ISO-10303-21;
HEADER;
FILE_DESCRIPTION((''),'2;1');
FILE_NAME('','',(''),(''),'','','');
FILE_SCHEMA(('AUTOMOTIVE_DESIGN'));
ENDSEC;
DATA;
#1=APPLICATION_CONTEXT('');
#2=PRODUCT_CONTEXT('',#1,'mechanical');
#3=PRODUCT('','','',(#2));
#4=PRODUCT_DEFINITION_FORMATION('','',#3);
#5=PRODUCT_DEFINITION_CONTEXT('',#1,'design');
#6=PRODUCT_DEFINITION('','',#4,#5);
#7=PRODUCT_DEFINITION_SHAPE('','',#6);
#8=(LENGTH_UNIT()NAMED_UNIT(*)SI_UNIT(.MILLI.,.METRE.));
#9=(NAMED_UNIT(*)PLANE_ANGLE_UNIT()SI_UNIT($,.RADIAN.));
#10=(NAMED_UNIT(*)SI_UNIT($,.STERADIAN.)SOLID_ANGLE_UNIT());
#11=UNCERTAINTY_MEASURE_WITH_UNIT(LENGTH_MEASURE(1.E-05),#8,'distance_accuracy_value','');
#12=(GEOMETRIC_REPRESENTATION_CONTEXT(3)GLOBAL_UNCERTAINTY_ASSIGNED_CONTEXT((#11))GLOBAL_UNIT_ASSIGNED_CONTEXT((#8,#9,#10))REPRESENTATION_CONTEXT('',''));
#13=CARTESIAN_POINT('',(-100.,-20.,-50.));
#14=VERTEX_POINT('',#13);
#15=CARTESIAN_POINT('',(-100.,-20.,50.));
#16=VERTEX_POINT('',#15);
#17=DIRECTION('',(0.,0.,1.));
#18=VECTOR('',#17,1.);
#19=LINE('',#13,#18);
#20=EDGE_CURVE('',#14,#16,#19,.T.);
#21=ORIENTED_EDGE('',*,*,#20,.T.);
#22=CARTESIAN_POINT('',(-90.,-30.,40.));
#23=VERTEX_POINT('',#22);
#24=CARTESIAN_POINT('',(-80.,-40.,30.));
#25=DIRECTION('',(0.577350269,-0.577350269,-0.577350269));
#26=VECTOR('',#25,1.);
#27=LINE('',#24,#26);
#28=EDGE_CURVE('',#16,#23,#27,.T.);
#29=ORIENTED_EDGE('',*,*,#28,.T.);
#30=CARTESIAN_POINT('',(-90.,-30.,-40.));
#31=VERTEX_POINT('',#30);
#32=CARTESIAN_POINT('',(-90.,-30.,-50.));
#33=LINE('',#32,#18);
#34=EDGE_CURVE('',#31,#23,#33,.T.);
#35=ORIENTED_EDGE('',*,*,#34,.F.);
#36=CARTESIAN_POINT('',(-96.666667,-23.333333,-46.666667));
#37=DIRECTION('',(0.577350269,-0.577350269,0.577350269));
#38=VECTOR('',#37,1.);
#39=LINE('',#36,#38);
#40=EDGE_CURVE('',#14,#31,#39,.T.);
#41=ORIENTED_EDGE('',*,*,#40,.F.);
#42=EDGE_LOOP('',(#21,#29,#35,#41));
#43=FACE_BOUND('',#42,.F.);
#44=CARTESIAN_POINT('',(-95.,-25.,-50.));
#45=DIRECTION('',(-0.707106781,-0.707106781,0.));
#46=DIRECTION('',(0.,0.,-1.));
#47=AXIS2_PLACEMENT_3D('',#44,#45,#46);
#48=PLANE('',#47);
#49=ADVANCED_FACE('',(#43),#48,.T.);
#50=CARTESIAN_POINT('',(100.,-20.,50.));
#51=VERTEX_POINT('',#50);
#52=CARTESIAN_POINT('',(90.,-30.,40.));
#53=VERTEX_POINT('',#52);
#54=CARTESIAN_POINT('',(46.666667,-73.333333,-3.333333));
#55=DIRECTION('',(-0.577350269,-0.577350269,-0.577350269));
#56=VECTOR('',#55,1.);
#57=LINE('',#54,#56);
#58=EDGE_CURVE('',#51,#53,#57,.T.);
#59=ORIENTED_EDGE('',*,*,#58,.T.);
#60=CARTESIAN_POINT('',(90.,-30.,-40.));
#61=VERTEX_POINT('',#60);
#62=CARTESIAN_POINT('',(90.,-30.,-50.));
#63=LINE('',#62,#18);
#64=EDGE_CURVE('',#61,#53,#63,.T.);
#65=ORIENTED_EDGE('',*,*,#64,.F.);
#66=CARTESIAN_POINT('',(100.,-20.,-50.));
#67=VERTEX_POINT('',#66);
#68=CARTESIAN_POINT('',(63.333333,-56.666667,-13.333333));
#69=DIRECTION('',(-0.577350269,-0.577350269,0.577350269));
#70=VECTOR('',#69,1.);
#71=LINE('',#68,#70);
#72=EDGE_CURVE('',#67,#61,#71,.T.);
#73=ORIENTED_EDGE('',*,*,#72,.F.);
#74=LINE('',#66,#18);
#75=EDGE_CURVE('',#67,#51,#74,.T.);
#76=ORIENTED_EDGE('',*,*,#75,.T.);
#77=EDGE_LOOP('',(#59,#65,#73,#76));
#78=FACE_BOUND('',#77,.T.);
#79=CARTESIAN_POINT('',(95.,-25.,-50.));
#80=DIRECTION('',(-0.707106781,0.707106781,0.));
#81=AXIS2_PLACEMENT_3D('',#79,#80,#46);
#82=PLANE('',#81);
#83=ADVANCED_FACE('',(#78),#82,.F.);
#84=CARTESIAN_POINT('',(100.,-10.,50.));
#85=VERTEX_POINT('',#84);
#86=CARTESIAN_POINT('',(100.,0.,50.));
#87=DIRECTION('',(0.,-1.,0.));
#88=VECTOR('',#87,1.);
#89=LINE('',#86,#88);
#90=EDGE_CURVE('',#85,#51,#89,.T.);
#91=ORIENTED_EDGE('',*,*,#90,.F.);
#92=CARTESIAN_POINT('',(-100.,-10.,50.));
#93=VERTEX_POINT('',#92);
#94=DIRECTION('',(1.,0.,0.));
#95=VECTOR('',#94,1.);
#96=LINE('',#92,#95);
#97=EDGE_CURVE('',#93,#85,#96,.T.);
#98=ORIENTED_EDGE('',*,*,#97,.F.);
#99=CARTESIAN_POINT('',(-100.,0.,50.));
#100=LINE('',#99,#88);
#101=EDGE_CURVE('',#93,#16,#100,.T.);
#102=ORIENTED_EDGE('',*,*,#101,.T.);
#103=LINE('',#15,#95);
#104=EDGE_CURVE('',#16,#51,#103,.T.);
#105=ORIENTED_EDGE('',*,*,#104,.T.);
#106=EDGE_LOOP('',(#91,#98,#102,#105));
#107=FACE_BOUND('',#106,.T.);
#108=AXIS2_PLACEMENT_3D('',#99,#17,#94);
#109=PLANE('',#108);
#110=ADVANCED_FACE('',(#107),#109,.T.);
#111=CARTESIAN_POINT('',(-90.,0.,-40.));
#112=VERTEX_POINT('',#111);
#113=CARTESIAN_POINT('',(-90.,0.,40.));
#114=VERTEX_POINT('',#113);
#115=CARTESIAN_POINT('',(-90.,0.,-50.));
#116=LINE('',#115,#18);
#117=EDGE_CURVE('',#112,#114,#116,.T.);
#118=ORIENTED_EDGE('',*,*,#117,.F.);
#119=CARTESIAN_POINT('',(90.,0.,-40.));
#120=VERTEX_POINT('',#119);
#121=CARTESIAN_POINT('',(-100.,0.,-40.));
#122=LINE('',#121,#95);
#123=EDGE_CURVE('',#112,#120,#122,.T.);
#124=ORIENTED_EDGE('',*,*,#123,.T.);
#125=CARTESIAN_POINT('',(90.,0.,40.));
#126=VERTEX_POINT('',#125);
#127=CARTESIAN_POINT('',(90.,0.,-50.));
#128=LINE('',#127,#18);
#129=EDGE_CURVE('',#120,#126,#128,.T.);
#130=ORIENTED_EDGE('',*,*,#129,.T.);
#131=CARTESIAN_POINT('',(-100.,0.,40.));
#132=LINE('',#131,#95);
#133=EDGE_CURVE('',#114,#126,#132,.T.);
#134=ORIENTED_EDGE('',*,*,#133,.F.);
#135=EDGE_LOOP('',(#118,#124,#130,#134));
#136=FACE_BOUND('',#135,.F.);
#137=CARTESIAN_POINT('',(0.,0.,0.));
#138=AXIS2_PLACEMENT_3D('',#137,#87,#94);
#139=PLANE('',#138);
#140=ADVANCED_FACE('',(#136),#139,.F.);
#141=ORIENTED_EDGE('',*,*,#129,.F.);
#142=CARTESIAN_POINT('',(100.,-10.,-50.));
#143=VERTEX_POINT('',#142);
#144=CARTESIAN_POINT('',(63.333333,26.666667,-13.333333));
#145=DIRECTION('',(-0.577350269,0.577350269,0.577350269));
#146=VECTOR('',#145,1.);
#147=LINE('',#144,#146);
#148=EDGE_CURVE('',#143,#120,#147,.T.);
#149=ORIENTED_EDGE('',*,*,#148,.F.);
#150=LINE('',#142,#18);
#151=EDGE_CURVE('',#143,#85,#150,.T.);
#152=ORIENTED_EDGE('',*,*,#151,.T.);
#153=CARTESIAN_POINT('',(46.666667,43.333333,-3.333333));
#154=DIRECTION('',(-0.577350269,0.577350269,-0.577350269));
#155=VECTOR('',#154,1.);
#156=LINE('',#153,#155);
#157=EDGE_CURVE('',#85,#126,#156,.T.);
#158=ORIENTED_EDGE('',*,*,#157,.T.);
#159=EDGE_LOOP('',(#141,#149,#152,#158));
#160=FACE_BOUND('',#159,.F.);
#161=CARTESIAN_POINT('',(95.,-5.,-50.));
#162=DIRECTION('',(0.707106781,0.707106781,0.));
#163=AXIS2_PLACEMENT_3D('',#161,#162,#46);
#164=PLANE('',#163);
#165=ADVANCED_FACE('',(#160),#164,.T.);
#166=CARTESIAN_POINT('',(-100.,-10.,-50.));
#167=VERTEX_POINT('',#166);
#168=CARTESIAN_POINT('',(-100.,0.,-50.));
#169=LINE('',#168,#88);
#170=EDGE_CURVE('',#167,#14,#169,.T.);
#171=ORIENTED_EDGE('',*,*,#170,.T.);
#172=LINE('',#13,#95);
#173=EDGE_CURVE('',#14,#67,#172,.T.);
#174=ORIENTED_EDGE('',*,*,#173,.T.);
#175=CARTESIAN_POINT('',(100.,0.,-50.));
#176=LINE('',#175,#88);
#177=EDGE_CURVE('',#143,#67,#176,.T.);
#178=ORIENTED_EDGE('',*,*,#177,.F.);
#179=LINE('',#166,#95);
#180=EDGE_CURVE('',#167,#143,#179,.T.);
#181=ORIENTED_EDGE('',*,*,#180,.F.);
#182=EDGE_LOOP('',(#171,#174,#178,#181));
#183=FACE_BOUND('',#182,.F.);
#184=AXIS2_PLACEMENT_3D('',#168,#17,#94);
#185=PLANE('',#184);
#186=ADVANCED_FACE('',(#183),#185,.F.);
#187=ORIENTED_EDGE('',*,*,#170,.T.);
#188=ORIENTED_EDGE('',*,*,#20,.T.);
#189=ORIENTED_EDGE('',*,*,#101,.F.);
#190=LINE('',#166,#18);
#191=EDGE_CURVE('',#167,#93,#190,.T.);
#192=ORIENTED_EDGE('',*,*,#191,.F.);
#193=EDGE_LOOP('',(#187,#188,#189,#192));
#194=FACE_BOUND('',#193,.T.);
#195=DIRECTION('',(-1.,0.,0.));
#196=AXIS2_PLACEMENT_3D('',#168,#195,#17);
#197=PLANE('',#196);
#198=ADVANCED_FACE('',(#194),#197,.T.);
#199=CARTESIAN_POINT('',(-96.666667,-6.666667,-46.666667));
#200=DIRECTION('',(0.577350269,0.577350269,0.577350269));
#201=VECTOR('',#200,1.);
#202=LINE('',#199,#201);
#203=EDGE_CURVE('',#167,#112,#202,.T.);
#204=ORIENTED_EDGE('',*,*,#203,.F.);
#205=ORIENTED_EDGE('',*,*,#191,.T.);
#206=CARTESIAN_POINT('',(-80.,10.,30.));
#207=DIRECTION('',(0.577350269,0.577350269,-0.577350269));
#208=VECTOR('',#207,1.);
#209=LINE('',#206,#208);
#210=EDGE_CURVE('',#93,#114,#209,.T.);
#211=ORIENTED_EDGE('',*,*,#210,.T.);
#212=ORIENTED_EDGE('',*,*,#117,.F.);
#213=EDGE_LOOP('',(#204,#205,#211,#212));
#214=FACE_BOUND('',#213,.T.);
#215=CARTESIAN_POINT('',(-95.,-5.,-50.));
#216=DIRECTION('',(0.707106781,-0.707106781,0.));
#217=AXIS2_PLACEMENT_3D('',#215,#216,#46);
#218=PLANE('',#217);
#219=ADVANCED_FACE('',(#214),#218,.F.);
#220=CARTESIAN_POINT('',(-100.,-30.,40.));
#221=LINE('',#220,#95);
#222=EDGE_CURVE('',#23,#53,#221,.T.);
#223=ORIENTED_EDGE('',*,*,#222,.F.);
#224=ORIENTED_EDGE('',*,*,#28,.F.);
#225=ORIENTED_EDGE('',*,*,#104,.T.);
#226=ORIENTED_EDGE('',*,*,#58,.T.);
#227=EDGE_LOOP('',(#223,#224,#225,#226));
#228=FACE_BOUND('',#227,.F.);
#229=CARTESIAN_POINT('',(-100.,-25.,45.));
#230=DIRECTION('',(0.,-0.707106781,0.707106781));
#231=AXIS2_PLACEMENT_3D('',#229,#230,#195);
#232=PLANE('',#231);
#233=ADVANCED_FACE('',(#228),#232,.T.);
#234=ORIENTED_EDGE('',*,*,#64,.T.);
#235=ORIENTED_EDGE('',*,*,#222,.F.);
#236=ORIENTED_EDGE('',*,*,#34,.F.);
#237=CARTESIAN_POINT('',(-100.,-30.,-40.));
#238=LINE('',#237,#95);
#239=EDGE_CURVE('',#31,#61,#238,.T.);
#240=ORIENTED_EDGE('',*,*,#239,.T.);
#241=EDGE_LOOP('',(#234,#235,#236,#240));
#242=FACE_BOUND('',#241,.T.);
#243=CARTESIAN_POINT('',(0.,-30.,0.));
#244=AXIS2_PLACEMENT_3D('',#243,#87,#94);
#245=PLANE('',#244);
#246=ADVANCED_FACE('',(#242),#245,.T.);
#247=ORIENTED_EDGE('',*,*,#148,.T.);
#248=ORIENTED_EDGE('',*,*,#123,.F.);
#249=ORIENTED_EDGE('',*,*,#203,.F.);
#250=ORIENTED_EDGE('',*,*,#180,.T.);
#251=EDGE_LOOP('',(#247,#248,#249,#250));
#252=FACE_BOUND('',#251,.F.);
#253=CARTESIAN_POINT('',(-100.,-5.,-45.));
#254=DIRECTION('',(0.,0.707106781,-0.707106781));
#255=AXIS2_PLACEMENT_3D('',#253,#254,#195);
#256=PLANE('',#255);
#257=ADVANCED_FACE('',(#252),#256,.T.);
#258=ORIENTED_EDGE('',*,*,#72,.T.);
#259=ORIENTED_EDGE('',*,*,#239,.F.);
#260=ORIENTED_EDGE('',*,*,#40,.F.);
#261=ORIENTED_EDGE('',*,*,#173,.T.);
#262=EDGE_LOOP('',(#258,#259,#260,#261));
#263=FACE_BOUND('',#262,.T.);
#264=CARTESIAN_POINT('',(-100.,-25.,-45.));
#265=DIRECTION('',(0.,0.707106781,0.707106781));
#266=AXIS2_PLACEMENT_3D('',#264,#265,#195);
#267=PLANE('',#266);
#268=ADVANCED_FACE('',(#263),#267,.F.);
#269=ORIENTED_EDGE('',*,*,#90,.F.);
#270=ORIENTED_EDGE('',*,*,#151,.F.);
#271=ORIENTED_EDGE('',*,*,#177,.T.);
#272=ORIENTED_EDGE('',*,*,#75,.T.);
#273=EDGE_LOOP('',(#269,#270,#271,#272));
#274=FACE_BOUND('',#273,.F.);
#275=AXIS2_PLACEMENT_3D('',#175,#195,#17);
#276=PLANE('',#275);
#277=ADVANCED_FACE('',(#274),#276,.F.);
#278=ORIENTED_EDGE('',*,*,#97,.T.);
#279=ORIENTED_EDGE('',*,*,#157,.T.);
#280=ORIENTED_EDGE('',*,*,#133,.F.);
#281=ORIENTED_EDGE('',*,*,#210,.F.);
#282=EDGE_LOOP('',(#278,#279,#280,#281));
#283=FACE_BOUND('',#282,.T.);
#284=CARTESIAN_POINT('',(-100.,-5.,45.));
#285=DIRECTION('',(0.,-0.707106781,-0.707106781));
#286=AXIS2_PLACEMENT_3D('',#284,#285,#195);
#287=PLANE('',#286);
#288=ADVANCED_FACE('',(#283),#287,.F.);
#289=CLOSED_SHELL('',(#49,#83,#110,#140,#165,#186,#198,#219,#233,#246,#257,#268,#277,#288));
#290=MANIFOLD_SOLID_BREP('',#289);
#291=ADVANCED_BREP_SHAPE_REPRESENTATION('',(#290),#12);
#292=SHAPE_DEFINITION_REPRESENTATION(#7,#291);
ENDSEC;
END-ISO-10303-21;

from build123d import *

# Parameters (mm, degrees)
F0_W     = 200
F0_H     = 100
F1_DEPTH = 30
F2_SIZE2 = 10
F2_SIZE  = 10


with BuildPart() as f1:
    # F0 (on Front) → F1 (new body)
    with BuildSketch(Plane.XZ):
        Rectangle(F0_W, F0_H)
    extrude(amount=F1_DEPTH)

    # F2
    f2_edges = [f1.edges().sort_by_distance(p)[0] for p in [
        (0, -30, 50),
        (0, -30, -50),
        (100, -30, 0),
        (-100, -30, 0),
        (-100, 0, 0),
        (0, 0, 50),
        (0, 0, -50),
        (100, 0, 0),
    ]]
    chamfer(f2_edges, length=F2_SIZE, length2=F2_SIZE2)


solid = f1.part
